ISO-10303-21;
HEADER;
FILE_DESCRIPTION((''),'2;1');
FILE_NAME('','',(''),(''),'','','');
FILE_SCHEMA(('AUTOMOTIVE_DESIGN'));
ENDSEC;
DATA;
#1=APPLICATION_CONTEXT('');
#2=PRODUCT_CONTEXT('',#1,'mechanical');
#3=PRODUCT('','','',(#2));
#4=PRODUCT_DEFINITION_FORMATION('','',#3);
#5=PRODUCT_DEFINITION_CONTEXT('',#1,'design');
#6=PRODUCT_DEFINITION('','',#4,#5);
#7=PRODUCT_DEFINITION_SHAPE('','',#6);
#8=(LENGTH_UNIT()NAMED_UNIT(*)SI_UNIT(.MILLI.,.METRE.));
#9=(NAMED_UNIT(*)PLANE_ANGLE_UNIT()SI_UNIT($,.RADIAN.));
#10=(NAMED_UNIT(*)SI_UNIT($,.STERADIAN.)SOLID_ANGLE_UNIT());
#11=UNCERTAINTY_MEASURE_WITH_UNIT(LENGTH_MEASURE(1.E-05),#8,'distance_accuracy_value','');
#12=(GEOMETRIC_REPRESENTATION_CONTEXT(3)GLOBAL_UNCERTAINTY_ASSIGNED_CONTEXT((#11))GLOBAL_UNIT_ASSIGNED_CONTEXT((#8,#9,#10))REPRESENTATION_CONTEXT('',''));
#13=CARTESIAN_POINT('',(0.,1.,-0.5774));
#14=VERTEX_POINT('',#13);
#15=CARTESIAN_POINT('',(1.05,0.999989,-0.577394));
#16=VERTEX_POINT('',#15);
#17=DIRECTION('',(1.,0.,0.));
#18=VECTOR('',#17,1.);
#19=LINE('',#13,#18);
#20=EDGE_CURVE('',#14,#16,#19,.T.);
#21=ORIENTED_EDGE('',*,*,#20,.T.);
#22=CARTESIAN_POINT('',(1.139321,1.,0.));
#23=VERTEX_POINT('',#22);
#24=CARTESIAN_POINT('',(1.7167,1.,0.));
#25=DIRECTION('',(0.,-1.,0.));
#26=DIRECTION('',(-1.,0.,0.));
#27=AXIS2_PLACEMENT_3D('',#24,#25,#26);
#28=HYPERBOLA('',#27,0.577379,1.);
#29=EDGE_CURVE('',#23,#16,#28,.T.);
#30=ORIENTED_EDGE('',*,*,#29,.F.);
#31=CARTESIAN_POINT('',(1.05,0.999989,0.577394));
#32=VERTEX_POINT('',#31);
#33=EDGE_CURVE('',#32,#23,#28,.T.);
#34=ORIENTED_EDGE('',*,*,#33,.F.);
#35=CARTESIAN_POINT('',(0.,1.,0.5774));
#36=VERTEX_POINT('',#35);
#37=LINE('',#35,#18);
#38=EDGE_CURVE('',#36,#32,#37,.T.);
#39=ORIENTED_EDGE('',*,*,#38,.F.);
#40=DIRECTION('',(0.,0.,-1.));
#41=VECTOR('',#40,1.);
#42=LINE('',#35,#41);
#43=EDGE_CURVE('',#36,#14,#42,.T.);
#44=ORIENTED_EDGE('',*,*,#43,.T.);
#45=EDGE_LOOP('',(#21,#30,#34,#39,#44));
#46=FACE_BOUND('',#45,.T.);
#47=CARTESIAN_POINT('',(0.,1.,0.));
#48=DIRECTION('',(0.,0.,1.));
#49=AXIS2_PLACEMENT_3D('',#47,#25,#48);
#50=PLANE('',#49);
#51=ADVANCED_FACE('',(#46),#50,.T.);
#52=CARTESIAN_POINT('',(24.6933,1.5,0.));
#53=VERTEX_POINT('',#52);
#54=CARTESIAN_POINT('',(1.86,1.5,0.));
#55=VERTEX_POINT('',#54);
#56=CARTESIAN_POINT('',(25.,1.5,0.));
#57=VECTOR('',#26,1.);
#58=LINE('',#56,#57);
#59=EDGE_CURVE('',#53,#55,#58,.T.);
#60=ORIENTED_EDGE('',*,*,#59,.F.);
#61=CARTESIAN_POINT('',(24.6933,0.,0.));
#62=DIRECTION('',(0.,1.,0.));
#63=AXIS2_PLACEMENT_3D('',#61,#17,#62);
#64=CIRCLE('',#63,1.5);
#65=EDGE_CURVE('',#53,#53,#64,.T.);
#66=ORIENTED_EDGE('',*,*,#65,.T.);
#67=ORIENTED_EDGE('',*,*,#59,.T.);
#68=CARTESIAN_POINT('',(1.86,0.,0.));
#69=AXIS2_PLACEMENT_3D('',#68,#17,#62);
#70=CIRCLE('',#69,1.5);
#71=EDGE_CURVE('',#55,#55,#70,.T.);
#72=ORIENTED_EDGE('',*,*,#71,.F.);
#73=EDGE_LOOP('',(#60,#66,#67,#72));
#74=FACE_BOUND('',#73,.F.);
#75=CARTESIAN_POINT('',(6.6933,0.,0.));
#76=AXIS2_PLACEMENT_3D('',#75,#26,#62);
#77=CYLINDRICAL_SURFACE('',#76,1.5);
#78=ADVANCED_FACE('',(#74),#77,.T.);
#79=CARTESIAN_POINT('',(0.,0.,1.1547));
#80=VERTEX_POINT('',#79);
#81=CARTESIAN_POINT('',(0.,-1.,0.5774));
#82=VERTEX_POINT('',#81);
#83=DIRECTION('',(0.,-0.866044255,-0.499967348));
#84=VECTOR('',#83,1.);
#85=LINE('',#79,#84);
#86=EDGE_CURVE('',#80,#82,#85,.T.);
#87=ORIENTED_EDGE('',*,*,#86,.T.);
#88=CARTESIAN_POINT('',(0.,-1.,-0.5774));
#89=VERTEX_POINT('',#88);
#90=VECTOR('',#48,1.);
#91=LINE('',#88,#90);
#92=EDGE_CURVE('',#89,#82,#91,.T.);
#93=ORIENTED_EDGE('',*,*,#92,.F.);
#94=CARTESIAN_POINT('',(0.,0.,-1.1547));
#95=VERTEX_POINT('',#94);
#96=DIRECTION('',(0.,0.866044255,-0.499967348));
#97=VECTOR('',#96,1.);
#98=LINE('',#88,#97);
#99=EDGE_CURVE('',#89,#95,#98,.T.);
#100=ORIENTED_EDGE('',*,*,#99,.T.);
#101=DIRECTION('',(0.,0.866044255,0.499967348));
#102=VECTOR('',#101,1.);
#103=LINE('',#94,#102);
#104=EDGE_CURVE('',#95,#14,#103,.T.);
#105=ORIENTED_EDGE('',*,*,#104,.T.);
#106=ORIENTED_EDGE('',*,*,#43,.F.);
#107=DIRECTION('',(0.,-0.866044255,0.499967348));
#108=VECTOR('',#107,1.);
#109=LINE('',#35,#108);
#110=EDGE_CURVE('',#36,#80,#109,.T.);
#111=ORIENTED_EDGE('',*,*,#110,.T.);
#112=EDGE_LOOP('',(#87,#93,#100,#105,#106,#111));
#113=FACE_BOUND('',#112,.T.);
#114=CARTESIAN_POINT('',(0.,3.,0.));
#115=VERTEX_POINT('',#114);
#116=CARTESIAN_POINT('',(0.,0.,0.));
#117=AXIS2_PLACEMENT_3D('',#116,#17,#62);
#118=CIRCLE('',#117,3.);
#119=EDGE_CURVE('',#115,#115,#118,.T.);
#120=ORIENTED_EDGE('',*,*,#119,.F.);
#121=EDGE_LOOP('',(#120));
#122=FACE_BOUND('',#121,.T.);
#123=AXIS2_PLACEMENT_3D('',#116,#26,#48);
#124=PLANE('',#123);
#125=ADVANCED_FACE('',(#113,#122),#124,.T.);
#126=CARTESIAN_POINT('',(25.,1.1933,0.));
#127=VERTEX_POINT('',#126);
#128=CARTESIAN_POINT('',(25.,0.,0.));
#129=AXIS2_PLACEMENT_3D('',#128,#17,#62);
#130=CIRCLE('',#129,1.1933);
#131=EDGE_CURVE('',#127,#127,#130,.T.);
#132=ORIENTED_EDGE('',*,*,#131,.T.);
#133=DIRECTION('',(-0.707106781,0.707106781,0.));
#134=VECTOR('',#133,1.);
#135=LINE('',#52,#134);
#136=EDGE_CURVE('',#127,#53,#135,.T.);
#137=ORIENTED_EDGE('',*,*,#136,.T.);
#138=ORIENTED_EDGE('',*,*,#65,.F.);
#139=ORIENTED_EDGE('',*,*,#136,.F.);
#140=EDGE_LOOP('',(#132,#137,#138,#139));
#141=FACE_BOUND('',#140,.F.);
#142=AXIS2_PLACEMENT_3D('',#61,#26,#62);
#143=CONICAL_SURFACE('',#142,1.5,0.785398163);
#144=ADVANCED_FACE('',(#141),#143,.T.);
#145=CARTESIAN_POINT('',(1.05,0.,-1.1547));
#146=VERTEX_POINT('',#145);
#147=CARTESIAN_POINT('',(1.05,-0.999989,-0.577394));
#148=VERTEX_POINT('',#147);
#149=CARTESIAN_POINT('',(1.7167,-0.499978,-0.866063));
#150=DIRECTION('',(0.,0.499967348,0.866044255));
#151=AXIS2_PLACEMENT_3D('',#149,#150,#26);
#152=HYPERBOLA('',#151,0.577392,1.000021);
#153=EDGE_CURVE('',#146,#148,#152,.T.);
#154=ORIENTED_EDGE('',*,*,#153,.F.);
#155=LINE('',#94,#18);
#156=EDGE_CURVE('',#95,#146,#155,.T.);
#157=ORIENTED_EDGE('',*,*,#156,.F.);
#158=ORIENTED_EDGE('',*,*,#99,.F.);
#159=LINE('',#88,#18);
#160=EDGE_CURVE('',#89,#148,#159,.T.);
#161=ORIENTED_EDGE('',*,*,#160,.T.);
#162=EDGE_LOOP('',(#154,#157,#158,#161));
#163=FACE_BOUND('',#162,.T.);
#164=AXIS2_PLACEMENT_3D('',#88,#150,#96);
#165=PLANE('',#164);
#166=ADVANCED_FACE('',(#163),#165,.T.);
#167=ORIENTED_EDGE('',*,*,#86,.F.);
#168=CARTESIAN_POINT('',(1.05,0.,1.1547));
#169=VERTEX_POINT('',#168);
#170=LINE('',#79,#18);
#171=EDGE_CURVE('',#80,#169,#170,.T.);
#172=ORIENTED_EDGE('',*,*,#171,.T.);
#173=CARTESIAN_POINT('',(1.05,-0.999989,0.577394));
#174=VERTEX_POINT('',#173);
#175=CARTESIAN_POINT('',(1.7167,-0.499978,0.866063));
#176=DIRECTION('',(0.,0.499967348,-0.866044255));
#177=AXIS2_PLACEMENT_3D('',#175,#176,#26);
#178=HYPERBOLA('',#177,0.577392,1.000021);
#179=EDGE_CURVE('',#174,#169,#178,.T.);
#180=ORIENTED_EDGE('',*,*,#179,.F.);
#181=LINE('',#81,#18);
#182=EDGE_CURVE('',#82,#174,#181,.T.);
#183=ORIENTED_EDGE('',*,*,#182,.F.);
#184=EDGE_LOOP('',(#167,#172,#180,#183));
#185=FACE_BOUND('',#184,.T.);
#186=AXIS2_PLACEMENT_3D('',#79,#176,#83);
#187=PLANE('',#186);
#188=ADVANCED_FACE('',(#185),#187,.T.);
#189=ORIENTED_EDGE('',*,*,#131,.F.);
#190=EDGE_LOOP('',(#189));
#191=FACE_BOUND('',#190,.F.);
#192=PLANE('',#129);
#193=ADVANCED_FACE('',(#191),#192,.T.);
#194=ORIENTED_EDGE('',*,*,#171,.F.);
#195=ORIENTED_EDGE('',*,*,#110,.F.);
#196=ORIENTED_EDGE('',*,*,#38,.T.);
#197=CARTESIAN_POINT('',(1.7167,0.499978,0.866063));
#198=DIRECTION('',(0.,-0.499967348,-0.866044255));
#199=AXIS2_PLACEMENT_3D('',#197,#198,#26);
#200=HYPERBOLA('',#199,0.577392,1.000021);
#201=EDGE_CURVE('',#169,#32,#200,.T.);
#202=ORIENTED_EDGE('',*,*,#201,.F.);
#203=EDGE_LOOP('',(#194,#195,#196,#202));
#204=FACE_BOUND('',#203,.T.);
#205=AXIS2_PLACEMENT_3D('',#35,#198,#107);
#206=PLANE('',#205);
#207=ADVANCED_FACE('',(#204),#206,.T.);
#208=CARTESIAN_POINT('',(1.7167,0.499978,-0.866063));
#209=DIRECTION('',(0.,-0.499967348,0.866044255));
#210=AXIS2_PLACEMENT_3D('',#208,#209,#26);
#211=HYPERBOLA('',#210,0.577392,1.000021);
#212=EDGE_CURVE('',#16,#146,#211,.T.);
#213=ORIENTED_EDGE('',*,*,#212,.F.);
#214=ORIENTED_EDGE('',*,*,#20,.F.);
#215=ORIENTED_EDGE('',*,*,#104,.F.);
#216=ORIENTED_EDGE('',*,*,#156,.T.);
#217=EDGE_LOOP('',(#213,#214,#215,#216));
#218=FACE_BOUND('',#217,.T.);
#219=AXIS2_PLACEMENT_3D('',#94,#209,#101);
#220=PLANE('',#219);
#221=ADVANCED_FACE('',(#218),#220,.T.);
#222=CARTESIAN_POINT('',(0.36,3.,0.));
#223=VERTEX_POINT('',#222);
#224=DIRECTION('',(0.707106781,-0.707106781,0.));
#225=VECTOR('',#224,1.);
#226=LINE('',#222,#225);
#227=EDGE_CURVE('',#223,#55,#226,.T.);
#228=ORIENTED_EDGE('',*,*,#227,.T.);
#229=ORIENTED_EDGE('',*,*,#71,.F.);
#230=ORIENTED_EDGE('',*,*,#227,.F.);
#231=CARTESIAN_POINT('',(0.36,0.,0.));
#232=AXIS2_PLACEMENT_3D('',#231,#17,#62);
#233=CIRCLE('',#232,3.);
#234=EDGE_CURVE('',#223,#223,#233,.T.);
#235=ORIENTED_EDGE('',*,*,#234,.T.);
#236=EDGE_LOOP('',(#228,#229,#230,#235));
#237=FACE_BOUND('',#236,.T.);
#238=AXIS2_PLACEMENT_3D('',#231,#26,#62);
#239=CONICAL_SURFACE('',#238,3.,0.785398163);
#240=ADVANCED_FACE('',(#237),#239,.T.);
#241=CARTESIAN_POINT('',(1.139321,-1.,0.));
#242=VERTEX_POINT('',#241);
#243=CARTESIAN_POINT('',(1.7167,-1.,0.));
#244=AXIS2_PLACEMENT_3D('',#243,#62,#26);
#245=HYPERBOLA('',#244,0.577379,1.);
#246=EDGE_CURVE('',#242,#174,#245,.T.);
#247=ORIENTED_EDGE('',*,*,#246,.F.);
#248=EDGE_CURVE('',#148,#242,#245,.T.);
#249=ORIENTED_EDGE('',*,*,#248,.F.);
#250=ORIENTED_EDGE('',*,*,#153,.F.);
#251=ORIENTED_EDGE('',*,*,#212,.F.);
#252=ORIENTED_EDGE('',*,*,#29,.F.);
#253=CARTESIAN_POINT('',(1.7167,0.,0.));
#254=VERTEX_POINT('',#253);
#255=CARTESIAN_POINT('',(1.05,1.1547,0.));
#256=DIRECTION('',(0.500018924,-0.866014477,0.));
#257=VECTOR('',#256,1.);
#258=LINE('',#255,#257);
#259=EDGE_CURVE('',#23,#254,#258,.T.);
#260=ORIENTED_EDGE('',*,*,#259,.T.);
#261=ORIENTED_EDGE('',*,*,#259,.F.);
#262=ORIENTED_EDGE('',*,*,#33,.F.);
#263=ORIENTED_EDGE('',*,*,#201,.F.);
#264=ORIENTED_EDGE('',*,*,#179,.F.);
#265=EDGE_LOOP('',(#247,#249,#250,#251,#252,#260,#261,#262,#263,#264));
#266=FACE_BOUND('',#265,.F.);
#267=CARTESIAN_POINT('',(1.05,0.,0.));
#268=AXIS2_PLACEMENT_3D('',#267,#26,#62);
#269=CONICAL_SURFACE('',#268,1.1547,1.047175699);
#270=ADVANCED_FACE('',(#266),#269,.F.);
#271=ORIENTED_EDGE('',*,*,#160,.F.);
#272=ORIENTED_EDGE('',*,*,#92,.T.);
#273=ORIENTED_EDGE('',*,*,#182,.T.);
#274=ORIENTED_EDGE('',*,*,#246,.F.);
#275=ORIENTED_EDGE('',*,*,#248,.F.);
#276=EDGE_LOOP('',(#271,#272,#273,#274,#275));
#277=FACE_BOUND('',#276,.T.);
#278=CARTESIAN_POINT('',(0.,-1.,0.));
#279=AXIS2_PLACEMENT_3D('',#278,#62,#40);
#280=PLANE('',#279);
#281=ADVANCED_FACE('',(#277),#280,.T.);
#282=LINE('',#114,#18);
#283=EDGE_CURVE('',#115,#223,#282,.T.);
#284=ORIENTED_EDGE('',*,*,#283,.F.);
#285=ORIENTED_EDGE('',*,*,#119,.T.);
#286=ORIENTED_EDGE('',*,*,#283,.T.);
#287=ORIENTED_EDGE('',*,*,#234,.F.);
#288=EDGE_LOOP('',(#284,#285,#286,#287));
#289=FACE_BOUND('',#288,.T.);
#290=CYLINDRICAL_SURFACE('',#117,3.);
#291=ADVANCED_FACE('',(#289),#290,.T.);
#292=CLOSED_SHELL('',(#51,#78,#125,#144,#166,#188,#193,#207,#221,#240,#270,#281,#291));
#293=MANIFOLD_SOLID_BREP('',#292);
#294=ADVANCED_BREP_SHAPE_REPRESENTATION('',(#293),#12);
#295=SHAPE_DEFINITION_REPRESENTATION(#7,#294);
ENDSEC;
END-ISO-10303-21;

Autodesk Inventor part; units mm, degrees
ref_plane "YZ Plane" through (0, 0, 0) normal (1, 0, 0) x (0, 1, 0)
ref_plane "XZ Plane" through (0, 0, 0) normal (0, 1, 0) x (-1, 0, 0)
sketch "Sketch1" plane through (0, 0, 0) normal (0, 0, 1) x (1, 0, 0)
  line L0 (25, 0) -> (25, 1.5)
  line L1 (25, 1.5) -> (7, 1.5)
  line L2 (7, 1.5) -> (6.6933, 1.5)
  line L3 (0, 3) -> (0, 1.1547)
  line L4 (0, 1.1547) -> (1.05, 1.1547)
  line L5 (1.05, 1.1547) -> (1.7167, 0)
  line L6 (1.7167, 0) -> (25, 0)
  line L7 (0, 3) -> (0.36, 3)
  line L8 (0.36, 3) -> (1.86, 1.5)
  line L9 (6.6933, 1.5) -> (1.86, 1.5)
  line L10 (7, 1.5) -> (1.86, 1.5) construction
  line L11 (1.86, 1.5) -> (1.86, 1.5)
  line L12 (-5, 0) -> (30, 0) projected
  line L13 (0, -0.6) -> (0, 3.6) projected
  dimension "d0" = 25
  dimension "d1" = 18
  dimension "d2" = 1.05
  dimension "d3" = 3
  dimension "d6" = 1.86
  dimension "d7" = 45
  dimension "d8" = 2.3094
  dimension "d9" = 60
  dimension "d10" = 6
  dimension "d11" = 3
  dimension "d12" = 0.3067
revolve "Body" add sketch "Sketch1" angle 360 about axis through (1.7167, 0, 0) along (1, 0, 0) contours L6 L5 L4 L3 L7 L8 L9 L2 L1 L0
sketch "Sketch2" plane through (0, 0, 0) normal (-1, 0, 0) x (0, 0, 1)
  circle A0 centre (0, 0) radius 1.1547 projected
  line L0 (0, -4.2) -> (0, 4.2) projected
  line L1 (-4.2, 0) -> (4.2, 0) projected
  line L2 (1.1547, 0) -> (0.5774, -1)
  line L3 (0.5774, -1) -> (-0.5774, -1)
  line L4 (-0.5774, -1) -> (-1.1547, 0)
  line L5 (-1.1547, 0) -> (-0.5774, 1)
  line L6 (-0.5774, 1) -> (0.5774, 1)
  line L7 (0.5774, 1) -> (1.1547, 0)
  point P0 (0, 1.1547)
extrude "Slot" add sketch "Sketch2" against normal up to next contours L7 A0 | A0 L2 | L6 L0 A0 | A0 L0 L3 | L0 L6 A0 | A0 L3 L0 | L4 A0 | A0 L5
thread "Thread" size "M3x0.5" class "6g" standard "ISO Metric profile" length 18
chamfer "Chamfer1" distance 0.3067 distance2 0.3067 1 edges at (25, -1.5, 0) measured on face at (25, 0.0871, 0.3876)
ref_plane "Work Plane1" through (104.775, 0, 0) normal (0, 0, -1) x (1, 0, 0)
equation "\"d15\" = GEL"
equation "\"d17\" = -0.5 * SPD + 0.5 * GD"
equation "\"d18\" = GUL"
equation "\"d0\" = NLG"
equation "\"d1\" = GEL"
equation "\"d2\" = INTI"
equation "\"d3\" = GD"
equation "\"d6\" = KOH"
equation "\"d7\" = 0.5 * SEWI"
equation "\"d8\" = 1.1547 * SW"
equation "\"d10\" = KOD"
equation "\"d11\" = BDM"
equation "\"d12\" = GAL"
equation "\"NLG\" = 25"
equation "\"INTI\" = 1.05"
equation "\"GEL\" = 18"
equation "\"GAL\" = 0.61345 * PTC"
equation "\"KOH\" = 1.86"
equation "\"KOD\" = 6"
equation "\"GUL\" = 0.61345 * PTC"
equation "\"SPD\" = NND - 1.2269 * PTC"
equation "\"BDM\" = NND"
equation "\"GD\" = NND"
equation "\"SEWI\" = 90deg"
equation "\"SW\" = 2"
equation "\"TOA\" = 30deg"
equation "\"GD1\" = THREADDIA - 1.2269 * PTC"
equation "\"EPV\" = 3.36"
equation "\"THREADDIA\" = 3"
equation "\"PTC\" = 0.5"
equation "\"NND\" = 3"
equation "\"E0\" = 1.155 * SW"
properties part number "BS 4168 - M3 x 25" material "Steel, Mild"
